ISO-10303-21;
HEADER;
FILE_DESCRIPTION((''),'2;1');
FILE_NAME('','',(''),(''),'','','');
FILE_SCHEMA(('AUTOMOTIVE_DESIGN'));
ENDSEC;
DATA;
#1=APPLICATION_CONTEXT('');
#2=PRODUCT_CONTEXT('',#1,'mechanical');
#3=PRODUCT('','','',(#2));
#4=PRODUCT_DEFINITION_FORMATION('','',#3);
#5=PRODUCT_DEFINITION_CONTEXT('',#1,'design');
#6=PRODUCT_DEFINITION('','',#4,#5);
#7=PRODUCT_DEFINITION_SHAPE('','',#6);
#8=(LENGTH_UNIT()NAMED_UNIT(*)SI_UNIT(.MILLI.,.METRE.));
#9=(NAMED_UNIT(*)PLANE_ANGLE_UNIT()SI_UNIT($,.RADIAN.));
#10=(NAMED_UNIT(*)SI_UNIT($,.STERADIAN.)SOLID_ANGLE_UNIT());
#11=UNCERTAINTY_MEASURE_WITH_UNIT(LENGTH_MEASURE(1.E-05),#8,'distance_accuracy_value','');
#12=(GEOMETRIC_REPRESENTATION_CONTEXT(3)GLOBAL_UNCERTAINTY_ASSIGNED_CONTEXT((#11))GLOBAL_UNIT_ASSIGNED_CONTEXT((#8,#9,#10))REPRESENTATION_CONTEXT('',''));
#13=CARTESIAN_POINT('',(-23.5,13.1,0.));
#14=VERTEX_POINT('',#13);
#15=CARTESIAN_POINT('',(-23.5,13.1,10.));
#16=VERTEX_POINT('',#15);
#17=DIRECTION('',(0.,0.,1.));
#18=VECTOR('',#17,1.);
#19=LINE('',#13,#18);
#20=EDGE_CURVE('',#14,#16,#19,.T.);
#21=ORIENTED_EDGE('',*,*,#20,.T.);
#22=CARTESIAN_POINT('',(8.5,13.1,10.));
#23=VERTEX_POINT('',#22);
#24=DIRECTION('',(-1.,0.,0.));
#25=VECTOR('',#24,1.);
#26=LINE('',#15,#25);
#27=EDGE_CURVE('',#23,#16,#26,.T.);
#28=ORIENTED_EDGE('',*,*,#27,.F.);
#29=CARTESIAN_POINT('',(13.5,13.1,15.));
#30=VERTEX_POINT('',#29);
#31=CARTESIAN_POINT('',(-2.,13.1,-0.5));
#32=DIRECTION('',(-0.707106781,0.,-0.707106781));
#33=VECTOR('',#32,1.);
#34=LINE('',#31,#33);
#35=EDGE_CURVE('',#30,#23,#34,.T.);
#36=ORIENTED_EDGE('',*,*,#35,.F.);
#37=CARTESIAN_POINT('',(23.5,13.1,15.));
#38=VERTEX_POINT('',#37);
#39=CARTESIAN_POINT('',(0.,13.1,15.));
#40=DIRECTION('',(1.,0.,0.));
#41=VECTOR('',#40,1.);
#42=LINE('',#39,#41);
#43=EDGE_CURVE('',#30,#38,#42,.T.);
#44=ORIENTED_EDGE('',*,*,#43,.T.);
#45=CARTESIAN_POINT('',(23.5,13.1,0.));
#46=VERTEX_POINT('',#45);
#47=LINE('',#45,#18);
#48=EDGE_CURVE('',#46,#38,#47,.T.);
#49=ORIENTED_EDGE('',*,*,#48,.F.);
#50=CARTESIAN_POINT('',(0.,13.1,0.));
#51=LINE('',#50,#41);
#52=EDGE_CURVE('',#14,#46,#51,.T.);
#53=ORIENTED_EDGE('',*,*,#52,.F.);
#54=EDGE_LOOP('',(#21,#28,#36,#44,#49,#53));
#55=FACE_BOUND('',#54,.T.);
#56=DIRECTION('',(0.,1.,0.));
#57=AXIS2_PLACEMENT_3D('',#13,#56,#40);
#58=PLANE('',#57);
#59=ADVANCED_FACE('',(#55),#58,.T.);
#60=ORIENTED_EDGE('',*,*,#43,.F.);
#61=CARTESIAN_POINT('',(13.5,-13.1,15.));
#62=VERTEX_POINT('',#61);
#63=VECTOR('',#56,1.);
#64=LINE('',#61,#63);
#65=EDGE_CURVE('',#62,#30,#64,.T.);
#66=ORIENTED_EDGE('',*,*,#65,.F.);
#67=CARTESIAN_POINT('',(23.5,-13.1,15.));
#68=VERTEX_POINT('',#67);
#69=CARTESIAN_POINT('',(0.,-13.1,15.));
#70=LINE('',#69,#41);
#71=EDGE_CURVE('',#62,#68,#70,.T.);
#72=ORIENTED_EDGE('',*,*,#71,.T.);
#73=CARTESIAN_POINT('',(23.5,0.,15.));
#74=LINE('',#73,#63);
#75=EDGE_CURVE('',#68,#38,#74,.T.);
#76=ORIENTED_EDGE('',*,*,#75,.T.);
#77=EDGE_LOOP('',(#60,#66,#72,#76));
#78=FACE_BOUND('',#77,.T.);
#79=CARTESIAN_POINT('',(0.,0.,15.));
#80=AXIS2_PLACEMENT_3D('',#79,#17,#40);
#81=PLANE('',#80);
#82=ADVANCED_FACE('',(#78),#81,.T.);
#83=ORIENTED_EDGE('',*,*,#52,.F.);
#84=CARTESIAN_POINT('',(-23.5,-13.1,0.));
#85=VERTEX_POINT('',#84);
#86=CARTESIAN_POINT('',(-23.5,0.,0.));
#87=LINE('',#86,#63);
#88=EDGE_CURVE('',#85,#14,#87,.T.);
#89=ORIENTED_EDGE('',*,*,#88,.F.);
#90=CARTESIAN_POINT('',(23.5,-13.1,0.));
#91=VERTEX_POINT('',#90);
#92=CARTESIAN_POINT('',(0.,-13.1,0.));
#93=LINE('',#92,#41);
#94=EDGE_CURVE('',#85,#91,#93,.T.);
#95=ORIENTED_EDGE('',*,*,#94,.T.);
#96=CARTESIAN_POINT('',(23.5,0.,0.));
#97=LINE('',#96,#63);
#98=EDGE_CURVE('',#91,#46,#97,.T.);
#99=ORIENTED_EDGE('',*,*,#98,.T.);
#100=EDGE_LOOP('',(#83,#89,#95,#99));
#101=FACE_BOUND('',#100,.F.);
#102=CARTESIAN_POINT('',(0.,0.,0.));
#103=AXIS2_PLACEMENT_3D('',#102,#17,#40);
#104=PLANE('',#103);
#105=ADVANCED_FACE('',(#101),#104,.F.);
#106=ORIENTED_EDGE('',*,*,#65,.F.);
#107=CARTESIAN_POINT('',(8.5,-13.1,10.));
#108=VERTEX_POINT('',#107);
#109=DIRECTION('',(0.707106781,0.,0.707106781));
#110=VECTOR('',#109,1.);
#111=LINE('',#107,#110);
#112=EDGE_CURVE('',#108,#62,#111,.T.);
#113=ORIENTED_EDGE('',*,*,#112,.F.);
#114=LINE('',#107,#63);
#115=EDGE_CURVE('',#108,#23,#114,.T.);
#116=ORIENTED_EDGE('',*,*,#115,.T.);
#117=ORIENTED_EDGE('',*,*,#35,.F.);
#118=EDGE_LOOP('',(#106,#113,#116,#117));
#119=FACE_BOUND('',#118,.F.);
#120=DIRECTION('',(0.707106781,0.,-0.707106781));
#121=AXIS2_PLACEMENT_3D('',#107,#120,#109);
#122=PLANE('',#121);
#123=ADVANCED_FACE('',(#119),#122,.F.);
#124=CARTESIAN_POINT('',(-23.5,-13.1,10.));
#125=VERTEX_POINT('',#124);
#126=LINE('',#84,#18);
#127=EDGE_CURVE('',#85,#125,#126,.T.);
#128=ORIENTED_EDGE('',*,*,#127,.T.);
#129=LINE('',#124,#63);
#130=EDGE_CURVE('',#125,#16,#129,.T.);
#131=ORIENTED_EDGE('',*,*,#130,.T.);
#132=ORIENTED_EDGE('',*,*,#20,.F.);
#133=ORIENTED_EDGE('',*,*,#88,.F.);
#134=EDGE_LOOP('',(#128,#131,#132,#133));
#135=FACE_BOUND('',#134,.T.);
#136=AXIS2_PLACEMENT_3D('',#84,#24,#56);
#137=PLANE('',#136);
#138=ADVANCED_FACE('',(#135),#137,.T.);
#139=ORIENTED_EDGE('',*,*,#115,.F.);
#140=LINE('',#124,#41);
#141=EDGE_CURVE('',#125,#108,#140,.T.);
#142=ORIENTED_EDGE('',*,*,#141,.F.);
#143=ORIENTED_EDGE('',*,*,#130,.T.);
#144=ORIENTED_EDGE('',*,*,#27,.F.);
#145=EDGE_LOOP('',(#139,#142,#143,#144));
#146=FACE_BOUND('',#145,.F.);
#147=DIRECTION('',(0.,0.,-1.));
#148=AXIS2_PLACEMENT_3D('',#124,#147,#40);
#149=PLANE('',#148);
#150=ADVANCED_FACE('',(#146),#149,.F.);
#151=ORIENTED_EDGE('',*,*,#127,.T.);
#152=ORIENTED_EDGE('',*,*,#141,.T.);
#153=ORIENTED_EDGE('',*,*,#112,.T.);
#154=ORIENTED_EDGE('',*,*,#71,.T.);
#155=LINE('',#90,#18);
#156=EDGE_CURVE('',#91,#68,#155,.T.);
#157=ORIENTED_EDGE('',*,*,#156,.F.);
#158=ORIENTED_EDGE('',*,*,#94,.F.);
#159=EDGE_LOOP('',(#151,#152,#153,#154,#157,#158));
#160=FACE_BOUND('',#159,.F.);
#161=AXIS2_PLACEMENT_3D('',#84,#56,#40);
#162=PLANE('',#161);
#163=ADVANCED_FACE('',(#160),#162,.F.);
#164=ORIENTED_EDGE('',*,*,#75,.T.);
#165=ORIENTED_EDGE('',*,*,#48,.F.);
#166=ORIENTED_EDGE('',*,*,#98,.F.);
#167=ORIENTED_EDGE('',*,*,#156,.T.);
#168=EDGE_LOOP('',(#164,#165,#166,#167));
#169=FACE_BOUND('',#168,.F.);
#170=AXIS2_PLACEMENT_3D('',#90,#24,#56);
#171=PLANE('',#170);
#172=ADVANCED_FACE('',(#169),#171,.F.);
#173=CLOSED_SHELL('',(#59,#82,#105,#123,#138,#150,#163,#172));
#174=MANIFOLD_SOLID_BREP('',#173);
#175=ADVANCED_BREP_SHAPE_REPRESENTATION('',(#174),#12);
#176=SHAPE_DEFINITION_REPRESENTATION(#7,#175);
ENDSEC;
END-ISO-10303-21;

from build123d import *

# Parameters (mm, degrees)
F0_W     = 47
F0_H     = 26.2
F1_DEPTH = 15
F3_DEPTH = 26.201


with BuildPart() as f1:
    # F0 (on Top) → F1 (new body)
    with BuildSketch(Plane.XY):
        Rectangle(F0_W, F0_H)
    extrude(amount=F1_DEPTH)

    # F2 (on face) → F3 (cut, through all)
    with BuildSketch(Plane.XZ.offset(13.1)):
        Polygon((8.5, 10), (13.5, 15), (-23.5, 15), (-23.5, 10), align=None)
    extrude(amount=-F3_DEPTH, mode=Mode.SUBTRACT)


solid = f1.part
